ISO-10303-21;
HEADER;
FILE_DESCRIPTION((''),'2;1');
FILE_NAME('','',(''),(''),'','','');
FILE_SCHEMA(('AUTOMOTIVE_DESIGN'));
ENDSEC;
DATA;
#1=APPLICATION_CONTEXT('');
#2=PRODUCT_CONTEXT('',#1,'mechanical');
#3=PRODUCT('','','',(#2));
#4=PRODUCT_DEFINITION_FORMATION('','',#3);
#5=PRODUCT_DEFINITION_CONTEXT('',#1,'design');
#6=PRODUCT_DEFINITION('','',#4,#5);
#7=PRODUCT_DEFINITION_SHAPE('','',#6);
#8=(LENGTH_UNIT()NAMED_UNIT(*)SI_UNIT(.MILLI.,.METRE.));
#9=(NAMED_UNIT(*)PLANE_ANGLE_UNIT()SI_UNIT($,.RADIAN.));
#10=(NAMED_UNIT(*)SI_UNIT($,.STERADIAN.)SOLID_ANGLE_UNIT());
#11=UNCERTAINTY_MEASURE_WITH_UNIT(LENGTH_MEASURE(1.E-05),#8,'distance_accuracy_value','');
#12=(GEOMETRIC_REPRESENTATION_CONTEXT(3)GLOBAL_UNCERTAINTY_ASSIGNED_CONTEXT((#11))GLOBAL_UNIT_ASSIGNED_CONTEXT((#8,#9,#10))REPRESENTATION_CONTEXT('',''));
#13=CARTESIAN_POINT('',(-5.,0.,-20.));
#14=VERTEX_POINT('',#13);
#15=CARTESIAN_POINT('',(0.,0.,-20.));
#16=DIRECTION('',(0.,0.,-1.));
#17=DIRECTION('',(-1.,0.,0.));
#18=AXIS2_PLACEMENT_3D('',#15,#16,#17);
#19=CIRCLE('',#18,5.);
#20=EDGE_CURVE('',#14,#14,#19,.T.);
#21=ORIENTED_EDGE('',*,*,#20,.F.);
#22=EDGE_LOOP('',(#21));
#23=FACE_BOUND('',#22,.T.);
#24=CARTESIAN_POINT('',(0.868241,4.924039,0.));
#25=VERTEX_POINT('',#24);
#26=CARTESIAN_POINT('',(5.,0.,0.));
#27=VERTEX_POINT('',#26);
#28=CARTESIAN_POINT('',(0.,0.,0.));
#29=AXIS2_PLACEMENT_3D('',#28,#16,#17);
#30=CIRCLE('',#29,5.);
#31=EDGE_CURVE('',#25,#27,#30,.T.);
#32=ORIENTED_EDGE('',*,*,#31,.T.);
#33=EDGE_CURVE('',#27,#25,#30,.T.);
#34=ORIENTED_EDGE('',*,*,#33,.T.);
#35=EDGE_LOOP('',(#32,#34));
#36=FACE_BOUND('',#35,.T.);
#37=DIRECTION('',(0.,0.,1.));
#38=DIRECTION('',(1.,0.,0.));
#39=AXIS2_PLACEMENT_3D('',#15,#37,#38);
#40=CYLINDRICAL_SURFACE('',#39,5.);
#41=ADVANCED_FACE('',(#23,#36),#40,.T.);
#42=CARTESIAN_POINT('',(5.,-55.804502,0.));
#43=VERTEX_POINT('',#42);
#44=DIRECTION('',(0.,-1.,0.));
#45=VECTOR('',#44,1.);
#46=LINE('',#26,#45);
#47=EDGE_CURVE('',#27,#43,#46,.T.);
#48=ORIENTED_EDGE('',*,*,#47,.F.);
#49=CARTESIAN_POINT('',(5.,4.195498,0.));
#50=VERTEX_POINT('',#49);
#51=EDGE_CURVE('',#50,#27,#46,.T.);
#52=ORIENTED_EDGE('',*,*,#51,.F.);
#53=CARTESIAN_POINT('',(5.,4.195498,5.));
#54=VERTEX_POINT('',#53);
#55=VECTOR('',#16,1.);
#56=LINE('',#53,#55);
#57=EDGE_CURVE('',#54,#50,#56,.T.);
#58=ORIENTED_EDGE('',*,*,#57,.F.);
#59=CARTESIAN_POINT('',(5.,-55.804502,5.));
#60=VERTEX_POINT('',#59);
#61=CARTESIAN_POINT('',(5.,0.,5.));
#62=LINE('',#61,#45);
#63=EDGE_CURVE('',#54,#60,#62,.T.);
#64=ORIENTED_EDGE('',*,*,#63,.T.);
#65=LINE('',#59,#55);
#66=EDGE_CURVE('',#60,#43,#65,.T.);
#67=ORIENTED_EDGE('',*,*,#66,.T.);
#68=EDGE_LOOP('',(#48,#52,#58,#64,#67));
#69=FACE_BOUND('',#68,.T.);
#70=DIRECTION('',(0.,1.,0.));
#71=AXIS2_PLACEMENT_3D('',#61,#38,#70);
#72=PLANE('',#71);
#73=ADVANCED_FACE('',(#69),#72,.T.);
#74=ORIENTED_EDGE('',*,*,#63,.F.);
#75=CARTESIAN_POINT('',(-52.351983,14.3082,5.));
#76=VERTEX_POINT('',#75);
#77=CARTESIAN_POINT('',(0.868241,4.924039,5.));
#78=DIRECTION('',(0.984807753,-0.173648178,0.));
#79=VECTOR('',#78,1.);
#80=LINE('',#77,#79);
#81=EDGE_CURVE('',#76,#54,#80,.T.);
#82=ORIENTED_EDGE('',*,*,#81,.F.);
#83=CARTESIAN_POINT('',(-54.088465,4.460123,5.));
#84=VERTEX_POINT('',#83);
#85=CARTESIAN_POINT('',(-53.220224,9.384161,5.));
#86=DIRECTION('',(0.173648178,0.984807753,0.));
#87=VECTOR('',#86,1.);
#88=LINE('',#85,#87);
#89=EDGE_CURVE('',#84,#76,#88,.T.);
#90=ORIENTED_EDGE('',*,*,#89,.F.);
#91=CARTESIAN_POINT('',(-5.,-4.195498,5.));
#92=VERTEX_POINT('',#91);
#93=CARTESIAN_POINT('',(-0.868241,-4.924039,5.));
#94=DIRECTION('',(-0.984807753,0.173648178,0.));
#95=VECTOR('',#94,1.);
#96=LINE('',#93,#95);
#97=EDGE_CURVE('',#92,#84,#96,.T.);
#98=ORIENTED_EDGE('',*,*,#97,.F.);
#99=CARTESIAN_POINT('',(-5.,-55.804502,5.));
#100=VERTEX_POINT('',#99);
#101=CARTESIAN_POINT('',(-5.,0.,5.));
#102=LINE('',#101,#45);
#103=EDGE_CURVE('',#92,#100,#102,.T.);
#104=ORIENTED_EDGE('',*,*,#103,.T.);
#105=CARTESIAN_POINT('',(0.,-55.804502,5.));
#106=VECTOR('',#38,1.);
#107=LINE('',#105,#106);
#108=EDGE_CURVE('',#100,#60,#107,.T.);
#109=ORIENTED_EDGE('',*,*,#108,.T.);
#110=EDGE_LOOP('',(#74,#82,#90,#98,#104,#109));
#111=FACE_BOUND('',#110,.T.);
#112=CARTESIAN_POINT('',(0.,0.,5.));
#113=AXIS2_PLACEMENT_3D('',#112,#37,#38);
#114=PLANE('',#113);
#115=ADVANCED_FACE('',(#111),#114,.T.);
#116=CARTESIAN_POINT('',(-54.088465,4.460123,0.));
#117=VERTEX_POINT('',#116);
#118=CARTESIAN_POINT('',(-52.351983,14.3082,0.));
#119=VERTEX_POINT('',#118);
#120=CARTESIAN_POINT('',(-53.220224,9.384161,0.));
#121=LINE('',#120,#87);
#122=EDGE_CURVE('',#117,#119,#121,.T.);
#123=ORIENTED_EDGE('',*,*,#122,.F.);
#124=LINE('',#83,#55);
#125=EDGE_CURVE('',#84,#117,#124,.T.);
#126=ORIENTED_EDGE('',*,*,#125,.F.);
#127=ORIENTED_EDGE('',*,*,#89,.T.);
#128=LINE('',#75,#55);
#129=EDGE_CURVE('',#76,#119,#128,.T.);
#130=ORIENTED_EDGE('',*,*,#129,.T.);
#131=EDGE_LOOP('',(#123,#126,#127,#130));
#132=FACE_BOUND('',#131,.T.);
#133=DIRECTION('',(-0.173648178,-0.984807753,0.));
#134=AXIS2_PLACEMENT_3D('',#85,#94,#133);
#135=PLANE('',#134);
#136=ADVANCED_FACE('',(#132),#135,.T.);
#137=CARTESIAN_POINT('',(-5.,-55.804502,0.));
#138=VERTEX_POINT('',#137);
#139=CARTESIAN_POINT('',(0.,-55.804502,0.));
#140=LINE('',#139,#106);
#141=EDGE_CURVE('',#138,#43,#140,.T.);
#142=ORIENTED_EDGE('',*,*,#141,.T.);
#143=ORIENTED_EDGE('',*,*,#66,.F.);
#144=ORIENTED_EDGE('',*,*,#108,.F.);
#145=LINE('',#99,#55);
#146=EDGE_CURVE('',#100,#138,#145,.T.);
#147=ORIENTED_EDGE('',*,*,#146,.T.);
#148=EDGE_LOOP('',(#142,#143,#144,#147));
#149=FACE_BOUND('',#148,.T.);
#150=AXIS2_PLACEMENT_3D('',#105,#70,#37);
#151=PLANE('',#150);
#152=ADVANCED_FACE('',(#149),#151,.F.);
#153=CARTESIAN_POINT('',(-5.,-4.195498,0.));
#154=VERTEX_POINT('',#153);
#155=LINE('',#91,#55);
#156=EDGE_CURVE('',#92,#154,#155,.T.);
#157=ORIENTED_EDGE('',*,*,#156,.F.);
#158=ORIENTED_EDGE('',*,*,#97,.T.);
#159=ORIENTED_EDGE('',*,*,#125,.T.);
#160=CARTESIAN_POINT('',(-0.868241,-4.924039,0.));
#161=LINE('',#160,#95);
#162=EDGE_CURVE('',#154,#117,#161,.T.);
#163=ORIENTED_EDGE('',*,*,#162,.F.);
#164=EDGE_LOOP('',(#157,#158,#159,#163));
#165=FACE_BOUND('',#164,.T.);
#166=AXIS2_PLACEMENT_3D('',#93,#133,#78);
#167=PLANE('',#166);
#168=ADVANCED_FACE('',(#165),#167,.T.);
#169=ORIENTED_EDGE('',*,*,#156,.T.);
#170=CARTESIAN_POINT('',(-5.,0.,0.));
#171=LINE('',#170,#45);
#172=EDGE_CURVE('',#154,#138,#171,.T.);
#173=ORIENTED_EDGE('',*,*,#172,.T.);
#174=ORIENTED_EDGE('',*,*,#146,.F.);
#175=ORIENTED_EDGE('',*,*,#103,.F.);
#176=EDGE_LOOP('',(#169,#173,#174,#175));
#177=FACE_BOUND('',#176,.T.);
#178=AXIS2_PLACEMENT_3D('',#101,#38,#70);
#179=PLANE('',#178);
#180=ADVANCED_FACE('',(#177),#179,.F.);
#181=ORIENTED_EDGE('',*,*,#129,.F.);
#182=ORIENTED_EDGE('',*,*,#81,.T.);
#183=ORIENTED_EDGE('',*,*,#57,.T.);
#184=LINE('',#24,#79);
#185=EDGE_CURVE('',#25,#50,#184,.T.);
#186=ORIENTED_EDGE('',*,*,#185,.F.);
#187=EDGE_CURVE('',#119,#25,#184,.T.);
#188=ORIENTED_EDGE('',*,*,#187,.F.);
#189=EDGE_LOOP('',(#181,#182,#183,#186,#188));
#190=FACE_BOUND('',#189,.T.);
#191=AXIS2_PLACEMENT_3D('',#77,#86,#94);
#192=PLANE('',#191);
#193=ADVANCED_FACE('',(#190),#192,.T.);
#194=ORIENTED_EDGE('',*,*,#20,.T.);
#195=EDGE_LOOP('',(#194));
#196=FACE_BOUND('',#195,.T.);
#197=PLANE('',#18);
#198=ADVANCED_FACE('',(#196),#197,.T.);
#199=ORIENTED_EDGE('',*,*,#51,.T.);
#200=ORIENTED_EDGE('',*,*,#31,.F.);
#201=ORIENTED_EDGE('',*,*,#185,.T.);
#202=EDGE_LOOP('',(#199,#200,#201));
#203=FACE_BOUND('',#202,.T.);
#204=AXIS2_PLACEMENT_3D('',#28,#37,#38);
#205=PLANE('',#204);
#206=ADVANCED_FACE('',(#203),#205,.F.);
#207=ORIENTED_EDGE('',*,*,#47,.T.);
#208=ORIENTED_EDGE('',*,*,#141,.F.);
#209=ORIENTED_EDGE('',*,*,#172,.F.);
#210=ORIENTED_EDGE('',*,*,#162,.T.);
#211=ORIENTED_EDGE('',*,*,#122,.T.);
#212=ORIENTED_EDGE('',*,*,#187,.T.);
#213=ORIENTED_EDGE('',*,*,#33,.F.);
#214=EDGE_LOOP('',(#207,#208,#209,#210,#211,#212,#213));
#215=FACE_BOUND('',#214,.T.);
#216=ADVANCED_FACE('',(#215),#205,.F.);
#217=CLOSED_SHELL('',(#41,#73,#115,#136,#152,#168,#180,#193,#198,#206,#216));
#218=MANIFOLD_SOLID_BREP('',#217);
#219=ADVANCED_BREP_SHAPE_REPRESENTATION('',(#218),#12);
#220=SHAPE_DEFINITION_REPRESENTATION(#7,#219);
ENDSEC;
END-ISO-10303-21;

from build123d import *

# Parameters (mm, degrees)
BOSS_EXTRU_1_DEPTH = 5
ESQUISSE2_R        = 5
BOSS_EXTRU_2_DEPTH = 20


with BuildPart() as part:
    # Esquisse1 → Boss.-Extru.1 (new body)
    with BuildSketch(Plane.XY):
        Polygon((5, -5.958767963), (-5, -4.195498156), (-5, -55.804501844), (5, -55.804501844), align=None)
        Polygon((-52.351983404, 14.308200227), (-54.088465181, 4.460122697), (-5, -4.195498156), (5, -5.958767963), (5, 4.195498156), align=None)
    extrude(amount=BOSS_EXTRU_1_DEPTH)

    # Esquisse2 → Boss.-Extru.2 (add)
    with BuildSketch(Plane(origin=(0, 0, 0), x_dir=(-1, 0, 0), z_dir=(0, 0, -1))):
        Circle(ESQUISSE2_R)
    extrude(amount=BOSS_EXTRU_2_DEPTH)


solid = part.part
